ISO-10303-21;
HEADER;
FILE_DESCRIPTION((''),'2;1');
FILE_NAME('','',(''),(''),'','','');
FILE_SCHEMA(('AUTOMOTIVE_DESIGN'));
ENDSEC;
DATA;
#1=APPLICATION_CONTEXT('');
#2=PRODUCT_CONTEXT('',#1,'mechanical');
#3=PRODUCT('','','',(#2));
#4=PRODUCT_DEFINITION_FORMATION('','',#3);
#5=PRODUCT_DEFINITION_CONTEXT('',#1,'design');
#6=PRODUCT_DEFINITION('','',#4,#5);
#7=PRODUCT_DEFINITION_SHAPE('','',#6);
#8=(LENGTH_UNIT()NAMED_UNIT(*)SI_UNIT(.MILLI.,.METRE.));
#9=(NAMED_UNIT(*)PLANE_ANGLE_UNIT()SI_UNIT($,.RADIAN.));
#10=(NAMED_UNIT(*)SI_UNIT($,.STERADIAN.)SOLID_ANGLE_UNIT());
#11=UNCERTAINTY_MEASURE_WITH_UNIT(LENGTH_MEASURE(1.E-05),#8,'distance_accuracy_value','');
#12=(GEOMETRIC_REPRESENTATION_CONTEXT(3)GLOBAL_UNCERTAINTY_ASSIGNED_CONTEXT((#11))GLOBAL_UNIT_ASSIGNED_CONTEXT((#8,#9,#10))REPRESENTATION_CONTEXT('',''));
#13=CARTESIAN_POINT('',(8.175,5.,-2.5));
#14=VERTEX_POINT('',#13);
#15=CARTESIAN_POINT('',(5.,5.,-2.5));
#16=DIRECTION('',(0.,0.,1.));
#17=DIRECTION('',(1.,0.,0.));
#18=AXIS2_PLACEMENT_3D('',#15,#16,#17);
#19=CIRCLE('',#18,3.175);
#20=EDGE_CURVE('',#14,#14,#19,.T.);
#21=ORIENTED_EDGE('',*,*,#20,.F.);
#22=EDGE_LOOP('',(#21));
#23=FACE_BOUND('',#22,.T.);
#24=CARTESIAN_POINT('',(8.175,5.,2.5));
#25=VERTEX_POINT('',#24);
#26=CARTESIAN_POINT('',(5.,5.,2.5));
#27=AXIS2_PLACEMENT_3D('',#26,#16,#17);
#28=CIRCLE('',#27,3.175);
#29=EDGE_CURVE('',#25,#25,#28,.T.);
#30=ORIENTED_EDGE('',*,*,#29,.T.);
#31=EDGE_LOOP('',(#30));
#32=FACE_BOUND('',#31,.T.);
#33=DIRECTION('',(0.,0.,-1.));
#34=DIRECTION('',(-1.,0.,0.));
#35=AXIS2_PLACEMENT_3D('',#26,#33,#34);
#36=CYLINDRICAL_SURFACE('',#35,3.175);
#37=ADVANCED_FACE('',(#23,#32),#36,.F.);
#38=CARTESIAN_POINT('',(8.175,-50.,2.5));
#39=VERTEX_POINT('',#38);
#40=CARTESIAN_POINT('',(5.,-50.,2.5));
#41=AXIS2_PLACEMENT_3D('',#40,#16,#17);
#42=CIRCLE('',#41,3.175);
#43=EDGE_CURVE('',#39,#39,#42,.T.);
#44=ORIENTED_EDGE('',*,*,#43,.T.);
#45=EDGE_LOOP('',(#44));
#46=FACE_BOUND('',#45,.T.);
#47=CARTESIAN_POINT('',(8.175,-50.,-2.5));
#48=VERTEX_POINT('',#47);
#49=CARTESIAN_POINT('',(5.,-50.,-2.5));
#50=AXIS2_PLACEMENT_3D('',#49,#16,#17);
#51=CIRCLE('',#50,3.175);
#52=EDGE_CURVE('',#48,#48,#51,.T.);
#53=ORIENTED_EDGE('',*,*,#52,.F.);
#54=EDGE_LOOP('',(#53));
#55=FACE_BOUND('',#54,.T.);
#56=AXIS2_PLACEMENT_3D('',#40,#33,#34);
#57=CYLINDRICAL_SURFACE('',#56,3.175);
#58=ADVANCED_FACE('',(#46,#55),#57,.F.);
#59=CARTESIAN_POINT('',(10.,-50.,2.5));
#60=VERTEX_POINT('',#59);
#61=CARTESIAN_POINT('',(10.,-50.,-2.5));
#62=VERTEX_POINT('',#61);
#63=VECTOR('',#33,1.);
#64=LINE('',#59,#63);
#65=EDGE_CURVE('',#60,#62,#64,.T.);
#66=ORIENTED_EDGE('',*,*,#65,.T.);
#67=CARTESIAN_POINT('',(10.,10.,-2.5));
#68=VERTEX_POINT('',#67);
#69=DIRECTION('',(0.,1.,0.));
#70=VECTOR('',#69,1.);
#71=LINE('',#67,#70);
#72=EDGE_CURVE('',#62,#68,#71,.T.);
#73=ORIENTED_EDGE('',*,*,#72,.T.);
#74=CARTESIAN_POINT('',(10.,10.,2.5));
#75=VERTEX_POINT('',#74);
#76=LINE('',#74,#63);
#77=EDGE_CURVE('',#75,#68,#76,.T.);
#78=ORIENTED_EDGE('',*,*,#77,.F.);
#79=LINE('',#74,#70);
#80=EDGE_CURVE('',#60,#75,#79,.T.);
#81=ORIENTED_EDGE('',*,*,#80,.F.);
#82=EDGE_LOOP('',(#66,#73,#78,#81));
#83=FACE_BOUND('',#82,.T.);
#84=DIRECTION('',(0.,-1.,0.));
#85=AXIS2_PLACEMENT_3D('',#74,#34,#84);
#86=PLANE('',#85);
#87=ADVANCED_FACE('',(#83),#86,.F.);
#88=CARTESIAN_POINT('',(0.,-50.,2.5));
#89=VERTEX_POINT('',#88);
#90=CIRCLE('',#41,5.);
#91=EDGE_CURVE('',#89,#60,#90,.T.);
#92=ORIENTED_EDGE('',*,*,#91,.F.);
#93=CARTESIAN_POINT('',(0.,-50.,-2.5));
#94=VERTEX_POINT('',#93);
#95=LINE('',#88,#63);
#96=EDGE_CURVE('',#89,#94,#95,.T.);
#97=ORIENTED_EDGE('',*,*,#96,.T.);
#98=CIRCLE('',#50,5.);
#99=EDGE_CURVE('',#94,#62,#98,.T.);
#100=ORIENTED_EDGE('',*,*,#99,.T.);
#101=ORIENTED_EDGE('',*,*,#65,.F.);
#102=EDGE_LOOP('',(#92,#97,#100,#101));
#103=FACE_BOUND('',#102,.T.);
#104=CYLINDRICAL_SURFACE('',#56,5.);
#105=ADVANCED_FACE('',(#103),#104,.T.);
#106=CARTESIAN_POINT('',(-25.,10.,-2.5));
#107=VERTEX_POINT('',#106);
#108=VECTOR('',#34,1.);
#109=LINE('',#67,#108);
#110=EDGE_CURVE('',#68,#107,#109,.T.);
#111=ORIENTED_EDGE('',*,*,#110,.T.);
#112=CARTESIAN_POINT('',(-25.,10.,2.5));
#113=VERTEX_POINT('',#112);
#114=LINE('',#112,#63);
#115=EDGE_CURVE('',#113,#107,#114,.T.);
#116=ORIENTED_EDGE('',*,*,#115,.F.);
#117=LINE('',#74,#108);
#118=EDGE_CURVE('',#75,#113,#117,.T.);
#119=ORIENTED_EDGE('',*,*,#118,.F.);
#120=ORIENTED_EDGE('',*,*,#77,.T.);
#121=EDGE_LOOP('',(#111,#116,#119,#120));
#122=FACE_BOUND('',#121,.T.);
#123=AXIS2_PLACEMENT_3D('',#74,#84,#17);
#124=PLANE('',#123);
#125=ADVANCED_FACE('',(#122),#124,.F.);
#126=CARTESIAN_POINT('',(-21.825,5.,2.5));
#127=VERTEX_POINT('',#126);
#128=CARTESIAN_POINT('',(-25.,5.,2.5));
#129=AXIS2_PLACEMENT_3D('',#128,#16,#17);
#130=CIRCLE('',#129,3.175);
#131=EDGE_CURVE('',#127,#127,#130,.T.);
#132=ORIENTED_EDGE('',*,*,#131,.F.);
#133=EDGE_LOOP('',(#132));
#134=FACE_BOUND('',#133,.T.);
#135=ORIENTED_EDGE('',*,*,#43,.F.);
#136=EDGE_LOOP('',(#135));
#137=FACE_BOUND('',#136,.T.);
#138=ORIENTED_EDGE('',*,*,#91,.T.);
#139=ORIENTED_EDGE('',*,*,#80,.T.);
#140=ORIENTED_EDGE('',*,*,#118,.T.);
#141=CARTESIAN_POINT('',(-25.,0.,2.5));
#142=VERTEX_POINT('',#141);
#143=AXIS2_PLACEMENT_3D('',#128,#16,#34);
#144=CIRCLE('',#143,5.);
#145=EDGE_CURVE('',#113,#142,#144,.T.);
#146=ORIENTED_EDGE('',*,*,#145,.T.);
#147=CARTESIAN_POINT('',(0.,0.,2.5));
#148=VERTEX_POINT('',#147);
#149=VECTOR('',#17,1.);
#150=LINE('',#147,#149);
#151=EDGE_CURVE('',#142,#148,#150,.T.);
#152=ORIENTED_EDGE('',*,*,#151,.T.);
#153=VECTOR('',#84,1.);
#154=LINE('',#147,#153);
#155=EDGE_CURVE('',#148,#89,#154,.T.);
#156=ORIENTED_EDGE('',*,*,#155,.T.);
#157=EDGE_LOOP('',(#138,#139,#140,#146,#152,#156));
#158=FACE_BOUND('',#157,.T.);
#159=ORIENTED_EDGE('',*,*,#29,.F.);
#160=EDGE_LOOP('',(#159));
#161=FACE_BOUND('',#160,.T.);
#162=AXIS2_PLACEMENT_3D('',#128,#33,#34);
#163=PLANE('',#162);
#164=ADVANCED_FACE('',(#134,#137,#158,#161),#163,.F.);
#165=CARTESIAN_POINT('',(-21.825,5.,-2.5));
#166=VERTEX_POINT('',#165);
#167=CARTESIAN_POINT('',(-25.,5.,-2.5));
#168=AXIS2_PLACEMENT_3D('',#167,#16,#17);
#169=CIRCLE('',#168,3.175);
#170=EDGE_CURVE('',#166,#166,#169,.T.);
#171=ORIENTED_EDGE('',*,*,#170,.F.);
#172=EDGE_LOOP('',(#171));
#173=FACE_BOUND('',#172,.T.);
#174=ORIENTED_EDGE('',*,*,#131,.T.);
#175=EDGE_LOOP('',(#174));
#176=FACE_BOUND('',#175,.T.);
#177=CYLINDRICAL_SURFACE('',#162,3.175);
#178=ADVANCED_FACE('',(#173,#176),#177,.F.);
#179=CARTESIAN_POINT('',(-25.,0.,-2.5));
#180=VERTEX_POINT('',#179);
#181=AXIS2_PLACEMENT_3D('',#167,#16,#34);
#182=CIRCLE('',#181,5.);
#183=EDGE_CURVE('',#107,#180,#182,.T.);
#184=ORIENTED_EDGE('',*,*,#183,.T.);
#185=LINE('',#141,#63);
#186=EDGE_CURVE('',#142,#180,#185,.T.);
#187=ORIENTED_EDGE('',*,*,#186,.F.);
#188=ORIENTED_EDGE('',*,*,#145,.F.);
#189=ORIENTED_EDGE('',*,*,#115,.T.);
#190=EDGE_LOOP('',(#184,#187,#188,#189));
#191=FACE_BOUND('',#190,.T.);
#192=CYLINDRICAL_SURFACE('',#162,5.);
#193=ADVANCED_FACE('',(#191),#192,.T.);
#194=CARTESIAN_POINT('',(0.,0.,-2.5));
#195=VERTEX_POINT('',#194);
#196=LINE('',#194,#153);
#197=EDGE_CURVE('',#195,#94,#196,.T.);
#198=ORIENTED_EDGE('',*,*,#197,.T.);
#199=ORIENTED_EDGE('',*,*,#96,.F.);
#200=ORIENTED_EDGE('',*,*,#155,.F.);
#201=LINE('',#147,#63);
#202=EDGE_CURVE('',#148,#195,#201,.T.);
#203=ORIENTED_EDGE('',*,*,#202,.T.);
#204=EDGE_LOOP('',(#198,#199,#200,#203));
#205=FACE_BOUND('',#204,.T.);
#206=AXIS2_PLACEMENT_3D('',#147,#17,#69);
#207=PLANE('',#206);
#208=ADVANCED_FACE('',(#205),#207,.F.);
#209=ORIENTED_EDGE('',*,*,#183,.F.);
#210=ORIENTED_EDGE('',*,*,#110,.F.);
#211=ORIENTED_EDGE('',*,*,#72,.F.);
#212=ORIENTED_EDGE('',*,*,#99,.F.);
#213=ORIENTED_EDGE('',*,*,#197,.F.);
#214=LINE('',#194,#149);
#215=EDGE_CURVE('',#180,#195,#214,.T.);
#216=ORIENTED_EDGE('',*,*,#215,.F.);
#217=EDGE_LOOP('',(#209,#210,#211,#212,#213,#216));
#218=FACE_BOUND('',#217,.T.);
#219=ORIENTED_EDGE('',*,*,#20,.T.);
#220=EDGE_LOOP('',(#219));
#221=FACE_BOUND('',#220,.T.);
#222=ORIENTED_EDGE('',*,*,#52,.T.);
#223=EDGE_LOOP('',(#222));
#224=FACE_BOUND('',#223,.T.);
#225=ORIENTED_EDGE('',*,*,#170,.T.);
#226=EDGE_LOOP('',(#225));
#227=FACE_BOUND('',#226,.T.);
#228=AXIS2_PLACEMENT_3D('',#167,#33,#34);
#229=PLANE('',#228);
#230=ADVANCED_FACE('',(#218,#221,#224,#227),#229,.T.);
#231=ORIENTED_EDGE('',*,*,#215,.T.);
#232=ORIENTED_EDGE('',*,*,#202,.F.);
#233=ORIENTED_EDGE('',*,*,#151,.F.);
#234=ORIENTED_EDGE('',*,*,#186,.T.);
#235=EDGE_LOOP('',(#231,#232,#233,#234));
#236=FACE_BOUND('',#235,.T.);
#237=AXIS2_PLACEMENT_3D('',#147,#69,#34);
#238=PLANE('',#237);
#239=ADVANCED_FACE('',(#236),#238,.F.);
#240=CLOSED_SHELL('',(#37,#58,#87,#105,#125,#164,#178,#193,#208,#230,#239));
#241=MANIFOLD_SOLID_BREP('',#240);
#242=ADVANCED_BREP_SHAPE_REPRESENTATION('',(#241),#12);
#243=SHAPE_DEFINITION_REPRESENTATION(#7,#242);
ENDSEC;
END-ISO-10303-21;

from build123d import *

# Parameters (mm, degrees)
CROQUIS1_R              = 3.175
SALIENTE_EXTRUIR1_DEPTH = 2.5


with BuildPart() as part:
    # Croquis1 → Saliente-Extruir1 (new, symmetric)
    with BuildSketch(Plane.XY):
        with BuildLine():
            Line((0, 0), (0, -50))
            ThreePointArc((0, -50), (5, -55), (10, -50))
            Line((10, -50), (10, 10))
            Line((10, 10), (-25, 10))
            ThreePointArc((-25, 10), (-30, 5), (-25, 0))
            Line((-25, 0), (0, 0))
        make_face()
        with Locations((5, -50)):
            Circle(CROQUIS1_R, mode=Mode.SUBTRACT)
        with Locations((5, 5)):
            Circle(CROQUIS1_R, mode=Mode.SUBTRACT)
        with Locations((-25, 5)):
            Circle(CROQUIS1_R, mode=Mode.SUBTRACT)
    extrude(amount=SALIENTE_EXTRUIR1_DEPTH, both=True)


solid = part.part
